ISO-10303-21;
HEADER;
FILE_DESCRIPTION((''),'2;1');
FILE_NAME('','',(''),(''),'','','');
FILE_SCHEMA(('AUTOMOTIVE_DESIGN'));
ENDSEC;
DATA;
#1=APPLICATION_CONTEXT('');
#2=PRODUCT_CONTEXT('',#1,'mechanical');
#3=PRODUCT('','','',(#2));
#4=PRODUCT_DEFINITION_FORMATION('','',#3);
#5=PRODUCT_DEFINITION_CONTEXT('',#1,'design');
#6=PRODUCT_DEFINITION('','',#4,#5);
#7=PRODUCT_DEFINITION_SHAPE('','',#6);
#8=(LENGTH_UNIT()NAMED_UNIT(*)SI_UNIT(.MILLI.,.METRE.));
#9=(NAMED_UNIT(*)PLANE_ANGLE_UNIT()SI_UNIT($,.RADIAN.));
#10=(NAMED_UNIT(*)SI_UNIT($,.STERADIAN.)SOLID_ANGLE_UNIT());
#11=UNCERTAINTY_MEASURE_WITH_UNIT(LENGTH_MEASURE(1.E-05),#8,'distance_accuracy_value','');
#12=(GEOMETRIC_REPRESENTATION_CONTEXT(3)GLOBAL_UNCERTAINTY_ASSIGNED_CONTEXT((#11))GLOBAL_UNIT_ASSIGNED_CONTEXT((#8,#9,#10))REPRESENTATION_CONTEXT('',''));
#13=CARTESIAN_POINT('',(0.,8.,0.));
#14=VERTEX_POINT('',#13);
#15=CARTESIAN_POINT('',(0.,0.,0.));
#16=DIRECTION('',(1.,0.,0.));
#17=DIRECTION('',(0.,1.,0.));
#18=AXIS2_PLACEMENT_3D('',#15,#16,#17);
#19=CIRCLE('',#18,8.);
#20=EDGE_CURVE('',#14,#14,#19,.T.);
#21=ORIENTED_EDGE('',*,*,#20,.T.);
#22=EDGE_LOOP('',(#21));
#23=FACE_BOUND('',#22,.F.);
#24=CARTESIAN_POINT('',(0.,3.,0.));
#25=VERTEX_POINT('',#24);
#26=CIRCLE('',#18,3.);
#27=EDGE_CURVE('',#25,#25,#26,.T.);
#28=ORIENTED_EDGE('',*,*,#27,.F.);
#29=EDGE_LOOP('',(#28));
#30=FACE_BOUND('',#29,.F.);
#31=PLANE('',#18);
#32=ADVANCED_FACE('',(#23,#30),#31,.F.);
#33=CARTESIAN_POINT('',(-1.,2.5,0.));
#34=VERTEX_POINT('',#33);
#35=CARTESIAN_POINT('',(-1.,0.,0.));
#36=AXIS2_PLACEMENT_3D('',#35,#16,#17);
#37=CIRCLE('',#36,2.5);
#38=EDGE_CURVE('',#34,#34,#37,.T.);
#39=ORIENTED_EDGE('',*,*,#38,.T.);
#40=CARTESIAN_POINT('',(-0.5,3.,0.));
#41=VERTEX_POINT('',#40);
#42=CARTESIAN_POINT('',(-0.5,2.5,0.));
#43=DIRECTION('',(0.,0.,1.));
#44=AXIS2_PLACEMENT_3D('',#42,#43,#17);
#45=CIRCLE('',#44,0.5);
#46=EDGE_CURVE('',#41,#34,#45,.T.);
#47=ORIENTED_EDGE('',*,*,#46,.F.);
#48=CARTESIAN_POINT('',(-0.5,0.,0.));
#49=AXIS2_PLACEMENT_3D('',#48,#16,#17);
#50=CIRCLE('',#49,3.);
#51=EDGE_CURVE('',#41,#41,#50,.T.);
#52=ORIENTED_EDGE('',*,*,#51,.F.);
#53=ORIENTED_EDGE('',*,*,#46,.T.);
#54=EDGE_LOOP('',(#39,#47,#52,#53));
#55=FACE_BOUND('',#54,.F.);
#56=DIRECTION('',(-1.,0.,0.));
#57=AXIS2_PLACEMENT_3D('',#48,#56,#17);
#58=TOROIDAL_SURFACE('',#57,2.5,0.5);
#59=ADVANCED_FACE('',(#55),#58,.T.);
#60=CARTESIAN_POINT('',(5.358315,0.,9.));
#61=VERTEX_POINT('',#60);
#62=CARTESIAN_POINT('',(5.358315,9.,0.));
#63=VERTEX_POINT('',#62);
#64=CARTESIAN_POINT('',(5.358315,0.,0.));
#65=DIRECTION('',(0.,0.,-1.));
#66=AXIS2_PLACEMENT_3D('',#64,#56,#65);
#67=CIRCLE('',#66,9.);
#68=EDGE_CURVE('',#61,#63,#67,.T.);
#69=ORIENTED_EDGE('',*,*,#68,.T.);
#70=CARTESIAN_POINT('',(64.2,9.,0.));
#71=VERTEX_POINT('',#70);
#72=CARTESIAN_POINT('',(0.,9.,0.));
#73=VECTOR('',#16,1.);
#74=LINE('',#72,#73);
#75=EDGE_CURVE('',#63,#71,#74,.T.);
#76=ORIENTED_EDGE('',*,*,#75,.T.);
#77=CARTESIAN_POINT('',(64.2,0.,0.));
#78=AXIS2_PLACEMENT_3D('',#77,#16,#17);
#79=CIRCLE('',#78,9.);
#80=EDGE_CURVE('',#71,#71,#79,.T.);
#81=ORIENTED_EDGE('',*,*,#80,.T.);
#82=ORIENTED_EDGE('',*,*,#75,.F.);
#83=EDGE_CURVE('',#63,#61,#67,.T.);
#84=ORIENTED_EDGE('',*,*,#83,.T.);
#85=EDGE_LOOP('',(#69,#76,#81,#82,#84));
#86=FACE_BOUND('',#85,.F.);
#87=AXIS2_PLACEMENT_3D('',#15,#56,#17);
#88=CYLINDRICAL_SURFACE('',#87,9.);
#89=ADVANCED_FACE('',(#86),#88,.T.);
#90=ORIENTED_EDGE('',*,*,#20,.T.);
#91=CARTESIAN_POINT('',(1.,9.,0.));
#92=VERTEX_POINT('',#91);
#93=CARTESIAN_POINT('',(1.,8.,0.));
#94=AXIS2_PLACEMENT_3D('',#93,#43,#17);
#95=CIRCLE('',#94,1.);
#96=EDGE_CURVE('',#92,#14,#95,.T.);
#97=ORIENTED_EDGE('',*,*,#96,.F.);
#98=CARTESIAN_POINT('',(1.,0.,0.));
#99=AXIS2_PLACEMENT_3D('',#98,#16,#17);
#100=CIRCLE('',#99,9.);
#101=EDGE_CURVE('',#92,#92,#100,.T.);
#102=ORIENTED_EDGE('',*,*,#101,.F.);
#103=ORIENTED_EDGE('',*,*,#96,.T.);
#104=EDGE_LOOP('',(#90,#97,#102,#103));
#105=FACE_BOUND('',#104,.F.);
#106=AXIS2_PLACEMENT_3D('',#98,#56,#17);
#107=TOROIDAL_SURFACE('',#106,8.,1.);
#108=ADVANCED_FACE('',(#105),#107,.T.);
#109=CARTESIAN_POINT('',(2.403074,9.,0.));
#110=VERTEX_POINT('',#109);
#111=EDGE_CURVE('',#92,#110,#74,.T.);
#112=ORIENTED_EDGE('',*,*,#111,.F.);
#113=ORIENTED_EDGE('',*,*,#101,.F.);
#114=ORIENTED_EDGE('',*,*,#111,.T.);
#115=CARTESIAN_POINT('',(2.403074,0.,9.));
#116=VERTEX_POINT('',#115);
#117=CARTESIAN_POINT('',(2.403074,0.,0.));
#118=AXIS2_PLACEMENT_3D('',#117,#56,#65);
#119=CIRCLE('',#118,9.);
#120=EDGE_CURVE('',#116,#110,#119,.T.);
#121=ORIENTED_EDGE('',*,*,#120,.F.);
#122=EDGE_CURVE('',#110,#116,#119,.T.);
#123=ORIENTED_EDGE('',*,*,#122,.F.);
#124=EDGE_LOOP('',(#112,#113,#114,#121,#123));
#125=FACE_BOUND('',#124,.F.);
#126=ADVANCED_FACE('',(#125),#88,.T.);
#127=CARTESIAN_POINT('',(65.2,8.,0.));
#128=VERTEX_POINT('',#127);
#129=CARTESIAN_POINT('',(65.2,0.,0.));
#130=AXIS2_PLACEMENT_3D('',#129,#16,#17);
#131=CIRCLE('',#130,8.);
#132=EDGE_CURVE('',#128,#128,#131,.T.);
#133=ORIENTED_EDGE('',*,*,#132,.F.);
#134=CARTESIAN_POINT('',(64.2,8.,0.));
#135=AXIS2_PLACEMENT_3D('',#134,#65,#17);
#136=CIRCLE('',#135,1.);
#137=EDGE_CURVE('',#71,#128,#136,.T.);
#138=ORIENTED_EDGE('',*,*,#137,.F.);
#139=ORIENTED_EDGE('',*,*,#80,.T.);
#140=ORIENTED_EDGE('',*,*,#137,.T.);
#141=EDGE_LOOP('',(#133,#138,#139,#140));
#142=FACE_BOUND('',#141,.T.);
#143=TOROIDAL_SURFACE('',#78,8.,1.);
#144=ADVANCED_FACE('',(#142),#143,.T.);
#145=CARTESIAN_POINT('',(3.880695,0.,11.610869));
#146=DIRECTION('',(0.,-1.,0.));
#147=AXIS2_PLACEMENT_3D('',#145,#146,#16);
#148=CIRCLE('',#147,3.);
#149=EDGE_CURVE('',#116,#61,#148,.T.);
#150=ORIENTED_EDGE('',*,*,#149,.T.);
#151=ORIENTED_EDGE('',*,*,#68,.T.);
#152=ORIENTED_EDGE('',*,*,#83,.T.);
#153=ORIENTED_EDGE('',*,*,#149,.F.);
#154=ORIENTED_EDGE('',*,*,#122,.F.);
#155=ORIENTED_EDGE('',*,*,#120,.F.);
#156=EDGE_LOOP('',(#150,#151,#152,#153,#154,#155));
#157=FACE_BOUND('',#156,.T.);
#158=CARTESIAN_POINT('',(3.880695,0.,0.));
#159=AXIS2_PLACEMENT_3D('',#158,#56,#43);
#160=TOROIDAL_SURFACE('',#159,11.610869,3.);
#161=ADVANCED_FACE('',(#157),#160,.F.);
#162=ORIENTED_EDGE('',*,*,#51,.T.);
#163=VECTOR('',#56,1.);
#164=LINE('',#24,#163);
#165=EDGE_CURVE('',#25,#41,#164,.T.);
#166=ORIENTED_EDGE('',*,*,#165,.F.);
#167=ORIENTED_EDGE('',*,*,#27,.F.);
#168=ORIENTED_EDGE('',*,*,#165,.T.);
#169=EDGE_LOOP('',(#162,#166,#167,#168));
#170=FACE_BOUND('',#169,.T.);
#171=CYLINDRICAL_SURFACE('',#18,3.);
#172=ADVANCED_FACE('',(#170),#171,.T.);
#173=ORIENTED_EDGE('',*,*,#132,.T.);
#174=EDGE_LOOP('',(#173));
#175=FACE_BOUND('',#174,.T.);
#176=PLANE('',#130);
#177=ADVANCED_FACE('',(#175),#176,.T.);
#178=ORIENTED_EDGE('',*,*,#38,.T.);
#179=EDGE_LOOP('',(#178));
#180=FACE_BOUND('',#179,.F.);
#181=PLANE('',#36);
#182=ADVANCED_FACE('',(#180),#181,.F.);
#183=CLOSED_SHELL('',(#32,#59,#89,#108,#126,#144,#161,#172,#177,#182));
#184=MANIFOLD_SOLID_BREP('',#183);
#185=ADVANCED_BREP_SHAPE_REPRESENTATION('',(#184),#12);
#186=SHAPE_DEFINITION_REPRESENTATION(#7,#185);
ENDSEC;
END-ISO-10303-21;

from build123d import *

# Parameters (mm, degrees)
F0_R     = 9
F1_DEPTH = 65.2
F2_R     = 1
F3_R     = 3
F4_DEPTH = 1
F5_R     = 0.5
F6_R     = 3


with BuildPart() as f1:
    # F0 (on Right) → F1 (new body)
    with BuildSketch(Plane.YZ):
        Circle(F0_R)
    extrude(amount=F1_DEPTH)

    # F2
    f2_edges = [f1.edges().sort_by_distance(p)[0] for p in [
        (65.2, -9, 0),
        (0, -9, 0),
    ]]
    fillet(f2_edges, radius=F2_R)

    # F3 (on Right) → F4 (join)
    with BuildSketch(Plane.YZ):
        Circle(F3_R)
    extrude(amount=-F4_DEPTH)

    # F5
    f5_edges = [f1.edges().sort_by_distance(p)[0] for p in [
        (-1, -3, 0),
    ]]
    fillet(f5_edges, radius=F5_R)

    # F6 (on Front) → F7 (revolve, cut)
    with BuildSketch(Plane.XZ):
        with Locations((3.8806945086, 11.6108693182)):
            Circle(F6_R)
    revolve(axis=Axis((1, 0, 0), (1, 0, 0)), mode=Mode.SUBTRACT)


solid = f1.part
